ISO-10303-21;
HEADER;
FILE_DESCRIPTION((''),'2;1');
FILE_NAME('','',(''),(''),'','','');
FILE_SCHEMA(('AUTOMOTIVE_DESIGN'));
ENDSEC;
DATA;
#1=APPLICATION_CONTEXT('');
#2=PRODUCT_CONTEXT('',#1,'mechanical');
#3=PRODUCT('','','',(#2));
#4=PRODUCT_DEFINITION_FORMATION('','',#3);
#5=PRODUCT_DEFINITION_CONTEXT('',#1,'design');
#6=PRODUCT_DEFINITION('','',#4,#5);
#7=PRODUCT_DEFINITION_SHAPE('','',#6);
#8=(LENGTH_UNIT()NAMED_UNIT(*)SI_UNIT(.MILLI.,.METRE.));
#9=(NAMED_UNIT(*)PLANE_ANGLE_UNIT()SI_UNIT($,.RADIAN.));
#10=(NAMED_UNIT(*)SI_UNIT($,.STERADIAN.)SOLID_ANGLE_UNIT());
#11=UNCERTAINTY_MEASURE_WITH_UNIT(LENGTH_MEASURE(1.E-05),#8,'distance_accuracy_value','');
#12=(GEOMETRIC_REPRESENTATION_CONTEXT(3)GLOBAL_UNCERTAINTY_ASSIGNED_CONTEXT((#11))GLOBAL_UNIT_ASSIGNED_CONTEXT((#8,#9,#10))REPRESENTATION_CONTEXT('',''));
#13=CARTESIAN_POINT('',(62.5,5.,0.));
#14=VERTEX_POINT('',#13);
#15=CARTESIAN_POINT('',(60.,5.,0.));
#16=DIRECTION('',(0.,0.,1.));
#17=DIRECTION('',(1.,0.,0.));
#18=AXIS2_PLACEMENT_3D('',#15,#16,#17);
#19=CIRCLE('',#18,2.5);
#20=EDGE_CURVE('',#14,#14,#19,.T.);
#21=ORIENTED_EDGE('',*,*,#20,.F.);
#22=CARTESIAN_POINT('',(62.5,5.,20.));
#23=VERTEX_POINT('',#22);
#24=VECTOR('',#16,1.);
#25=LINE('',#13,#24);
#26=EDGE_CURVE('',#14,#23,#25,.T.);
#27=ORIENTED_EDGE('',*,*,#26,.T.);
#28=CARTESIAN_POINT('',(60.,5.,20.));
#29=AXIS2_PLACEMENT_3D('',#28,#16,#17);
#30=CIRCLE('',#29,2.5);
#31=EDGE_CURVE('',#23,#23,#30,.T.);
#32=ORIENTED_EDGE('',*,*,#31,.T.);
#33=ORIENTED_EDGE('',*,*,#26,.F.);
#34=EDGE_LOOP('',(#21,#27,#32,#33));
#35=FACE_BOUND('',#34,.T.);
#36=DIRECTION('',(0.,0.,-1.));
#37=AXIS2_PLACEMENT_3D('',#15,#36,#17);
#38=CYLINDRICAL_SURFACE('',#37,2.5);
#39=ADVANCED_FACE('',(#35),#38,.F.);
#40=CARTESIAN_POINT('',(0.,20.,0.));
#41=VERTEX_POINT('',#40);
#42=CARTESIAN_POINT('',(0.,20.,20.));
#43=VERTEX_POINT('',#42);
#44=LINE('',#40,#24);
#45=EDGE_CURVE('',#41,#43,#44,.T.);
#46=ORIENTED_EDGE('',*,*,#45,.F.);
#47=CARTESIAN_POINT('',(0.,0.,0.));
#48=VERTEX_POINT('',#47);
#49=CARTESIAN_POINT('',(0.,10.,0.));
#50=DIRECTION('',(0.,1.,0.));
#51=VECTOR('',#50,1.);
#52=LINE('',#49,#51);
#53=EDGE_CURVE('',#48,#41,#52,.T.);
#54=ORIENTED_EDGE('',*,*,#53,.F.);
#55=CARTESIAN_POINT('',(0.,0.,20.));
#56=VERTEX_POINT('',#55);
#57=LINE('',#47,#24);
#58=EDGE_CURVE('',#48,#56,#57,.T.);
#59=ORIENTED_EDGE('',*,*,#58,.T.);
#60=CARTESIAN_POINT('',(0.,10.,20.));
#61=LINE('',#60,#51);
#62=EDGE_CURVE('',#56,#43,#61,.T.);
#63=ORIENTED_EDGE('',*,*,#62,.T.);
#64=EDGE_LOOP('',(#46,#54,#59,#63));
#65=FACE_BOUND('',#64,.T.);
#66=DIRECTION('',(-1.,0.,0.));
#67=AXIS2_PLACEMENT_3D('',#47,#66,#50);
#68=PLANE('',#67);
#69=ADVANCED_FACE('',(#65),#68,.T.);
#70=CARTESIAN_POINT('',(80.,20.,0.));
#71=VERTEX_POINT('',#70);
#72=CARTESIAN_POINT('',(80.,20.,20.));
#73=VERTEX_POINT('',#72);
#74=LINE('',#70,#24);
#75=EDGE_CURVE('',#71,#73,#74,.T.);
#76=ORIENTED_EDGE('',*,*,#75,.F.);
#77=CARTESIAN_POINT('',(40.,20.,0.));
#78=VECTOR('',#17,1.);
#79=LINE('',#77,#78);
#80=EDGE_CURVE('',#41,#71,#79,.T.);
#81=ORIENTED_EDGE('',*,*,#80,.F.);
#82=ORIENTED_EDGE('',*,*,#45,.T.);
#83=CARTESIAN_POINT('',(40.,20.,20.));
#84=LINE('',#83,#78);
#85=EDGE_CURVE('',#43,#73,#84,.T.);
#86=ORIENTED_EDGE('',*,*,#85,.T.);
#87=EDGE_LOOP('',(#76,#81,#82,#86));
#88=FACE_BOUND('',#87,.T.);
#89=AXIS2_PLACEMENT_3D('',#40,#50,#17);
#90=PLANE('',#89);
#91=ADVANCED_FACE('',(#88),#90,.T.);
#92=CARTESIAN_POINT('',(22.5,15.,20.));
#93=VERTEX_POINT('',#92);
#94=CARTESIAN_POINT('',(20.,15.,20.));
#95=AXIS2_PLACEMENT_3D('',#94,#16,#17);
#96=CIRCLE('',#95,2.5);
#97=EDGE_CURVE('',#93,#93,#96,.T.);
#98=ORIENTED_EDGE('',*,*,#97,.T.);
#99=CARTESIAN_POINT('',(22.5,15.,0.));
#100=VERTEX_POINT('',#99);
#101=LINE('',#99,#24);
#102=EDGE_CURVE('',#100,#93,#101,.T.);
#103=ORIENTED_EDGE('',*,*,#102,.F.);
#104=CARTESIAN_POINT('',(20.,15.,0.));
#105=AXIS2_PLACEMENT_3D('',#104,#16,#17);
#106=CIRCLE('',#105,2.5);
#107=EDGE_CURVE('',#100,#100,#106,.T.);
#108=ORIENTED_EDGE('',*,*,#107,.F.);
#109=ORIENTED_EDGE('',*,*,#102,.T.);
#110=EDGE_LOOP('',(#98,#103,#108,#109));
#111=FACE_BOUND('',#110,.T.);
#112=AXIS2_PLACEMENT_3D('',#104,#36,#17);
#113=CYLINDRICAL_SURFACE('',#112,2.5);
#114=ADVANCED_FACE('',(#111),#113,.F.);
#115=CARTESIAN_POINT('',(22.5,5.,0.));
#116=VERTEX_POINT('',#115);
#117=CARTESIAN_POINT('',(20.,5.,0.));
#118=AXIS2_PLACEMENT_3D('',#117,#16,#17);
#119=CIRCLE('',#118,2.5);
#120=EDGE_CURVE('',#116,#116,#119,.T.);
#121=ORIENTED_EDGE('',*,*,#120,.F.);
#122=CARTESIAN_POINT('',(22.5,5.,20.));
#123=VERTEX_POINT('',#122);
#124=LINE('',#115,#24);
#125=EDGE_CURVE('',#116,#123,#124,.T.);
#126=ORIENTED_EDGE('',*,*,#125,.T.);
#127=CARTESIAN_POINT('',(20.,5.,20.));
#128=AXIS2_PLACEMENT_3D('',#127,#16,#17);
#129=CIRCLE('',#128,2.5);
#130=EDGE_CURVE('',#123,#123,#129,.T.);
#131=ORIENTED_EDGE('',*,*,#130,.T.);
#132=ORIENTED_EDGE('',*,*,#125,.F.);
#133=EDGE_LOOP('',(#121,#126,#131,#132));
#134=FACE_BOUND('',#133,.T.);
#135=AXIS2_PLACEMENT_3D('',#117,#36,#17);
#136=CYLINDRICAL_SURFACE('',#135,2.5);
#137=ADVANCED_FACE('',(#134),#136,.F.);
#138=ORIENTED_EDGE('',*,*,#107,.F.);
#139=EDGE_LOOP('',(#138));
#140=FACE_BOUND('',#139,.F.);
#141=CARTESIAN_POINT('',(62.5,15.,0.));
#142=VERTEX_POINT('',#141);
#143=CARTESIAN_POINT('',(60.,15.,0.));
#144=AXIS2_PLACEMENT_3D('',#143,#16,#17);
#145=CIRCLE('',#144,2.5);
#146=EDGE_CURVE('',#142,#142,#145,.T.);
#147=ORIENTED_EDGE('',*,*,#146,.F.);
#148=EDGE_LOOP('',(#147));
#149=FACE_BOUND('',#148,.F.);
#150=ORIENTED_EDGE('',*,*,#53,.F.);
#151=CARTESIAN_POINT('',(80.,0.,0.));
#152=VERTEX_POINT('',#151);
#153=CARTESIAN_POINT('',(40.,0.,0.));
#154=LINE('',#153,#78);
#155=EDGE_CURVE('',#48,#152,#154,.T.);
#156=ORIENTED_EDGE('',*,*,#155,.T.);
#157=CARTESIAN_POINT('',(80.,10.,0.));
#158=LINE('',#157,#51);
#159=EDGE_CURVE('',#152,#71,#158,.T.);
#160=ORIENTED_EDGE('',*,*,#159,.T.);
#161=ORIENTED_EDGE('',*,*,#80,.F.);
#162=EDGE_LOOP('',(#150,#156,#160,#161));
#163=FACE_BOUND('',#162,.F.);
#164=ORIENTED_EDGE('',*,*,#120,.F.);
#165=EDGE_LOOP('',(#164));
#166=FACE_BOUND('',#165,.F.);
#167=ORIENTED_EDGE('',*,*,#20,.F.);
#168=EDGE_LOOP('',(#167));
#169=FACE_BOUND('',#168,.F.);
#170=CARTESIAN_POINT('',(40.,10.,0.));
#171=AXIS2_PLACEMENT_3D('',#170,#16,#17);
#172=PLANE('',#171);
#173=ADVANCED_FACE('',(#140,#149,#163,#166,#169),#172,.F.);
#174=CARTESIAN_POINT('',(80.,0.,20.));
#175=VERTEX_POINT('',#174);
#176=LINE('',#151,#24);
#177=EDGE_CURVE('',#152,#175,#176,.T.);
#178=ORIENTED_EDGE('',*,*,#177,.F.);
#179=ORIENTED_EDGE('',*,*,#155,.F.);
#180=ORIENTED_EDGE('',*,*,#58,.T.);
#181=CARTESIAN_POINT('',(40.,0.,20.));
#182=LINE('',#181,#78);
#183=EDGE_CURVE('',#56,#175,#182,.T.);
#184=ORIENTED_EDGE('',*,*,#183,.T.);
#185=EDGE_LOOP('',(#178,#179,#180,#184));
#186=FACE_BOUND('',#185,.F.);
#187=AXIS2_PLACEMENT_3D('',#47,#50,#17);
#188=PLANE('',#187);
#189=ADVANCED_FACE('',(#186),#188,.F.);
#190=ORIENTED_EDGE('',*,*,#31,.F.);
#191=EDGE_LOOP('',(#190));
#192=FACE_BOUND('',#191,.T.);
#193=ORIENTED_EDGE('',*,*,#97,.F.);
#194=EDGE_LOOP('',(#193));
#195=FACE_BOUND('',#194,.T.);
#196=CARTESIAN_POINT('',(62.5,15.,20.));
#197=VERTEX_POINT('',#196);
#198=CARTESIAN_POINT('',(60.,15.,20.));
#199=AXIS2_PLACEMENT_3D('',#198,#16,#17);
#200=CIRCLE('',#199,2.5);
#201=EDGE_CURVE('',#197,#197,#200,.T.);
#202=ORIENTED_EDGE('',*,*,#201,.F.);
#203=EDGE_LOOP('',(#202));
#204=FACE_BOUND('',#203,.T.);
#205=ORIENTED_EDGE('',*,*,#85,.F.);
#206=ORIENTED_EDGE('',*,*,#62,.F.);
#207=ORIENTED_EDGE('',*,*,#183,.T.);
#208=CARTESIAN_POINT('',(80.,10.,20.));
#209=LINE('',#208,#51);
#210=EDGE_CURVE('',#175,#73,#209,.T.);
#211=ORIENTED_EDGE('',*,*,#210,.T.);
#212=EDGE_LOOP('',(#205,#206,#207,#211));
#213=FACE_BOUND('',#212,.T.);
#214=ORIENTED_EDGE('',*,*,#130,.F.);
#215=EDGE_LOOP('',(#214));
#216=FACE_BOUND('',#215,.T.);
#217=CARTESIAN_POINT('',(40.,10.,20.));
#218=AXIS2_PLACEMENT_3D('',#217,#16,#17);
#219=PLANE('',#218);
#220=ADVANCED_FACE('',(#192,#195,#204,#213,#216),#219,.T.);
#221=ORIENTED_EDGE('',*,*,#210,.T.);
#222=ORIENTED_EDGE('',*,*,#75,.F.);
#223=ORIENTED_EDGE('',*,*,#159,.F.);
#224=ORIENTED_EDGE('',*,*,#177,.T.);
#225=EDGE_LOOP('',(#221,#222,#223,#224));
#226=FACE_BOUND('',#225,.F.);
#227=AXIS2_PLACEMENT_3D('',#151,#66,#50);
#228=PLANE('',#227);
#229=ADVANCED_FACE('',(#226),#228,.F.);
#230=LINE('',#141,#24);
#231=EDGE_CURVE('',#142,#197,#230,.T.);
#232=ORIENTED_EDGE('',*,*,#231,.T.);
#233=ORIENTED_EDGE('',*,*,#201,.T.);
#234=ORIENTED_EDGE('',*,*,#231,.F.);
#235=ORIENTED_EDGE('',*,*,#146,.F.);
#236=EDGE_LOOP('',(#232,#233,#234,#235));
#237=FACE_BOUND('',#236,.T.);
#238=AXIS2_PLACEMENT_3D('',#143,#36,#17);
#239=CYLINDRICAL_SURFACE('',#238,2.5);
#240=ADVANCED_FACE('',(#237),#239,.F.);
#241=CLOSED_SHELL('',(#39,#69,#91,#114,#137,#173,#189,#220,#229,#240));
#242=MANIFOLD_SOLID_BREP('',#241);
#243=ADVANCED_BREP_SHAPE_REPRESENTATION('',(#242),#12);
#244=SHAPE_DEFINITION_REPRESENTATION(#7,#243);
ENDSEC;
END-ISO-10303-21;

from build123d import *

# Parameters (mm, degrees)
SKETCH_W  = 80
SKETCH_H  = 20
SKETCH_R  = 2.5
PAD_DEPTH = 20


with BuildPart() as part:
    # Sketch → Pad (new body)
    with BuildSketch(Plane.XY):
        with Locations((40, 10)):
            Rectangle(SKETCH_W, SKETCH_H)
        with Locations((20, 15)):
            Circle(SKETCH_R, mode=Mode.SUBTRACT)
        with Locations((20, 5)):
            Circle(SKETCH_R, mode=Mode.SUBTRACT)
        with Locations((60, 15)):
            Circle(SKETCH_R, mode=Mode.SUBTRACT)
        with Locations((60, 5)):
            Circle(SKETCH_R, mode=Mode.SUBTRACT)
    extrude(amount=PAD_DEPTH)


solid = part.part
